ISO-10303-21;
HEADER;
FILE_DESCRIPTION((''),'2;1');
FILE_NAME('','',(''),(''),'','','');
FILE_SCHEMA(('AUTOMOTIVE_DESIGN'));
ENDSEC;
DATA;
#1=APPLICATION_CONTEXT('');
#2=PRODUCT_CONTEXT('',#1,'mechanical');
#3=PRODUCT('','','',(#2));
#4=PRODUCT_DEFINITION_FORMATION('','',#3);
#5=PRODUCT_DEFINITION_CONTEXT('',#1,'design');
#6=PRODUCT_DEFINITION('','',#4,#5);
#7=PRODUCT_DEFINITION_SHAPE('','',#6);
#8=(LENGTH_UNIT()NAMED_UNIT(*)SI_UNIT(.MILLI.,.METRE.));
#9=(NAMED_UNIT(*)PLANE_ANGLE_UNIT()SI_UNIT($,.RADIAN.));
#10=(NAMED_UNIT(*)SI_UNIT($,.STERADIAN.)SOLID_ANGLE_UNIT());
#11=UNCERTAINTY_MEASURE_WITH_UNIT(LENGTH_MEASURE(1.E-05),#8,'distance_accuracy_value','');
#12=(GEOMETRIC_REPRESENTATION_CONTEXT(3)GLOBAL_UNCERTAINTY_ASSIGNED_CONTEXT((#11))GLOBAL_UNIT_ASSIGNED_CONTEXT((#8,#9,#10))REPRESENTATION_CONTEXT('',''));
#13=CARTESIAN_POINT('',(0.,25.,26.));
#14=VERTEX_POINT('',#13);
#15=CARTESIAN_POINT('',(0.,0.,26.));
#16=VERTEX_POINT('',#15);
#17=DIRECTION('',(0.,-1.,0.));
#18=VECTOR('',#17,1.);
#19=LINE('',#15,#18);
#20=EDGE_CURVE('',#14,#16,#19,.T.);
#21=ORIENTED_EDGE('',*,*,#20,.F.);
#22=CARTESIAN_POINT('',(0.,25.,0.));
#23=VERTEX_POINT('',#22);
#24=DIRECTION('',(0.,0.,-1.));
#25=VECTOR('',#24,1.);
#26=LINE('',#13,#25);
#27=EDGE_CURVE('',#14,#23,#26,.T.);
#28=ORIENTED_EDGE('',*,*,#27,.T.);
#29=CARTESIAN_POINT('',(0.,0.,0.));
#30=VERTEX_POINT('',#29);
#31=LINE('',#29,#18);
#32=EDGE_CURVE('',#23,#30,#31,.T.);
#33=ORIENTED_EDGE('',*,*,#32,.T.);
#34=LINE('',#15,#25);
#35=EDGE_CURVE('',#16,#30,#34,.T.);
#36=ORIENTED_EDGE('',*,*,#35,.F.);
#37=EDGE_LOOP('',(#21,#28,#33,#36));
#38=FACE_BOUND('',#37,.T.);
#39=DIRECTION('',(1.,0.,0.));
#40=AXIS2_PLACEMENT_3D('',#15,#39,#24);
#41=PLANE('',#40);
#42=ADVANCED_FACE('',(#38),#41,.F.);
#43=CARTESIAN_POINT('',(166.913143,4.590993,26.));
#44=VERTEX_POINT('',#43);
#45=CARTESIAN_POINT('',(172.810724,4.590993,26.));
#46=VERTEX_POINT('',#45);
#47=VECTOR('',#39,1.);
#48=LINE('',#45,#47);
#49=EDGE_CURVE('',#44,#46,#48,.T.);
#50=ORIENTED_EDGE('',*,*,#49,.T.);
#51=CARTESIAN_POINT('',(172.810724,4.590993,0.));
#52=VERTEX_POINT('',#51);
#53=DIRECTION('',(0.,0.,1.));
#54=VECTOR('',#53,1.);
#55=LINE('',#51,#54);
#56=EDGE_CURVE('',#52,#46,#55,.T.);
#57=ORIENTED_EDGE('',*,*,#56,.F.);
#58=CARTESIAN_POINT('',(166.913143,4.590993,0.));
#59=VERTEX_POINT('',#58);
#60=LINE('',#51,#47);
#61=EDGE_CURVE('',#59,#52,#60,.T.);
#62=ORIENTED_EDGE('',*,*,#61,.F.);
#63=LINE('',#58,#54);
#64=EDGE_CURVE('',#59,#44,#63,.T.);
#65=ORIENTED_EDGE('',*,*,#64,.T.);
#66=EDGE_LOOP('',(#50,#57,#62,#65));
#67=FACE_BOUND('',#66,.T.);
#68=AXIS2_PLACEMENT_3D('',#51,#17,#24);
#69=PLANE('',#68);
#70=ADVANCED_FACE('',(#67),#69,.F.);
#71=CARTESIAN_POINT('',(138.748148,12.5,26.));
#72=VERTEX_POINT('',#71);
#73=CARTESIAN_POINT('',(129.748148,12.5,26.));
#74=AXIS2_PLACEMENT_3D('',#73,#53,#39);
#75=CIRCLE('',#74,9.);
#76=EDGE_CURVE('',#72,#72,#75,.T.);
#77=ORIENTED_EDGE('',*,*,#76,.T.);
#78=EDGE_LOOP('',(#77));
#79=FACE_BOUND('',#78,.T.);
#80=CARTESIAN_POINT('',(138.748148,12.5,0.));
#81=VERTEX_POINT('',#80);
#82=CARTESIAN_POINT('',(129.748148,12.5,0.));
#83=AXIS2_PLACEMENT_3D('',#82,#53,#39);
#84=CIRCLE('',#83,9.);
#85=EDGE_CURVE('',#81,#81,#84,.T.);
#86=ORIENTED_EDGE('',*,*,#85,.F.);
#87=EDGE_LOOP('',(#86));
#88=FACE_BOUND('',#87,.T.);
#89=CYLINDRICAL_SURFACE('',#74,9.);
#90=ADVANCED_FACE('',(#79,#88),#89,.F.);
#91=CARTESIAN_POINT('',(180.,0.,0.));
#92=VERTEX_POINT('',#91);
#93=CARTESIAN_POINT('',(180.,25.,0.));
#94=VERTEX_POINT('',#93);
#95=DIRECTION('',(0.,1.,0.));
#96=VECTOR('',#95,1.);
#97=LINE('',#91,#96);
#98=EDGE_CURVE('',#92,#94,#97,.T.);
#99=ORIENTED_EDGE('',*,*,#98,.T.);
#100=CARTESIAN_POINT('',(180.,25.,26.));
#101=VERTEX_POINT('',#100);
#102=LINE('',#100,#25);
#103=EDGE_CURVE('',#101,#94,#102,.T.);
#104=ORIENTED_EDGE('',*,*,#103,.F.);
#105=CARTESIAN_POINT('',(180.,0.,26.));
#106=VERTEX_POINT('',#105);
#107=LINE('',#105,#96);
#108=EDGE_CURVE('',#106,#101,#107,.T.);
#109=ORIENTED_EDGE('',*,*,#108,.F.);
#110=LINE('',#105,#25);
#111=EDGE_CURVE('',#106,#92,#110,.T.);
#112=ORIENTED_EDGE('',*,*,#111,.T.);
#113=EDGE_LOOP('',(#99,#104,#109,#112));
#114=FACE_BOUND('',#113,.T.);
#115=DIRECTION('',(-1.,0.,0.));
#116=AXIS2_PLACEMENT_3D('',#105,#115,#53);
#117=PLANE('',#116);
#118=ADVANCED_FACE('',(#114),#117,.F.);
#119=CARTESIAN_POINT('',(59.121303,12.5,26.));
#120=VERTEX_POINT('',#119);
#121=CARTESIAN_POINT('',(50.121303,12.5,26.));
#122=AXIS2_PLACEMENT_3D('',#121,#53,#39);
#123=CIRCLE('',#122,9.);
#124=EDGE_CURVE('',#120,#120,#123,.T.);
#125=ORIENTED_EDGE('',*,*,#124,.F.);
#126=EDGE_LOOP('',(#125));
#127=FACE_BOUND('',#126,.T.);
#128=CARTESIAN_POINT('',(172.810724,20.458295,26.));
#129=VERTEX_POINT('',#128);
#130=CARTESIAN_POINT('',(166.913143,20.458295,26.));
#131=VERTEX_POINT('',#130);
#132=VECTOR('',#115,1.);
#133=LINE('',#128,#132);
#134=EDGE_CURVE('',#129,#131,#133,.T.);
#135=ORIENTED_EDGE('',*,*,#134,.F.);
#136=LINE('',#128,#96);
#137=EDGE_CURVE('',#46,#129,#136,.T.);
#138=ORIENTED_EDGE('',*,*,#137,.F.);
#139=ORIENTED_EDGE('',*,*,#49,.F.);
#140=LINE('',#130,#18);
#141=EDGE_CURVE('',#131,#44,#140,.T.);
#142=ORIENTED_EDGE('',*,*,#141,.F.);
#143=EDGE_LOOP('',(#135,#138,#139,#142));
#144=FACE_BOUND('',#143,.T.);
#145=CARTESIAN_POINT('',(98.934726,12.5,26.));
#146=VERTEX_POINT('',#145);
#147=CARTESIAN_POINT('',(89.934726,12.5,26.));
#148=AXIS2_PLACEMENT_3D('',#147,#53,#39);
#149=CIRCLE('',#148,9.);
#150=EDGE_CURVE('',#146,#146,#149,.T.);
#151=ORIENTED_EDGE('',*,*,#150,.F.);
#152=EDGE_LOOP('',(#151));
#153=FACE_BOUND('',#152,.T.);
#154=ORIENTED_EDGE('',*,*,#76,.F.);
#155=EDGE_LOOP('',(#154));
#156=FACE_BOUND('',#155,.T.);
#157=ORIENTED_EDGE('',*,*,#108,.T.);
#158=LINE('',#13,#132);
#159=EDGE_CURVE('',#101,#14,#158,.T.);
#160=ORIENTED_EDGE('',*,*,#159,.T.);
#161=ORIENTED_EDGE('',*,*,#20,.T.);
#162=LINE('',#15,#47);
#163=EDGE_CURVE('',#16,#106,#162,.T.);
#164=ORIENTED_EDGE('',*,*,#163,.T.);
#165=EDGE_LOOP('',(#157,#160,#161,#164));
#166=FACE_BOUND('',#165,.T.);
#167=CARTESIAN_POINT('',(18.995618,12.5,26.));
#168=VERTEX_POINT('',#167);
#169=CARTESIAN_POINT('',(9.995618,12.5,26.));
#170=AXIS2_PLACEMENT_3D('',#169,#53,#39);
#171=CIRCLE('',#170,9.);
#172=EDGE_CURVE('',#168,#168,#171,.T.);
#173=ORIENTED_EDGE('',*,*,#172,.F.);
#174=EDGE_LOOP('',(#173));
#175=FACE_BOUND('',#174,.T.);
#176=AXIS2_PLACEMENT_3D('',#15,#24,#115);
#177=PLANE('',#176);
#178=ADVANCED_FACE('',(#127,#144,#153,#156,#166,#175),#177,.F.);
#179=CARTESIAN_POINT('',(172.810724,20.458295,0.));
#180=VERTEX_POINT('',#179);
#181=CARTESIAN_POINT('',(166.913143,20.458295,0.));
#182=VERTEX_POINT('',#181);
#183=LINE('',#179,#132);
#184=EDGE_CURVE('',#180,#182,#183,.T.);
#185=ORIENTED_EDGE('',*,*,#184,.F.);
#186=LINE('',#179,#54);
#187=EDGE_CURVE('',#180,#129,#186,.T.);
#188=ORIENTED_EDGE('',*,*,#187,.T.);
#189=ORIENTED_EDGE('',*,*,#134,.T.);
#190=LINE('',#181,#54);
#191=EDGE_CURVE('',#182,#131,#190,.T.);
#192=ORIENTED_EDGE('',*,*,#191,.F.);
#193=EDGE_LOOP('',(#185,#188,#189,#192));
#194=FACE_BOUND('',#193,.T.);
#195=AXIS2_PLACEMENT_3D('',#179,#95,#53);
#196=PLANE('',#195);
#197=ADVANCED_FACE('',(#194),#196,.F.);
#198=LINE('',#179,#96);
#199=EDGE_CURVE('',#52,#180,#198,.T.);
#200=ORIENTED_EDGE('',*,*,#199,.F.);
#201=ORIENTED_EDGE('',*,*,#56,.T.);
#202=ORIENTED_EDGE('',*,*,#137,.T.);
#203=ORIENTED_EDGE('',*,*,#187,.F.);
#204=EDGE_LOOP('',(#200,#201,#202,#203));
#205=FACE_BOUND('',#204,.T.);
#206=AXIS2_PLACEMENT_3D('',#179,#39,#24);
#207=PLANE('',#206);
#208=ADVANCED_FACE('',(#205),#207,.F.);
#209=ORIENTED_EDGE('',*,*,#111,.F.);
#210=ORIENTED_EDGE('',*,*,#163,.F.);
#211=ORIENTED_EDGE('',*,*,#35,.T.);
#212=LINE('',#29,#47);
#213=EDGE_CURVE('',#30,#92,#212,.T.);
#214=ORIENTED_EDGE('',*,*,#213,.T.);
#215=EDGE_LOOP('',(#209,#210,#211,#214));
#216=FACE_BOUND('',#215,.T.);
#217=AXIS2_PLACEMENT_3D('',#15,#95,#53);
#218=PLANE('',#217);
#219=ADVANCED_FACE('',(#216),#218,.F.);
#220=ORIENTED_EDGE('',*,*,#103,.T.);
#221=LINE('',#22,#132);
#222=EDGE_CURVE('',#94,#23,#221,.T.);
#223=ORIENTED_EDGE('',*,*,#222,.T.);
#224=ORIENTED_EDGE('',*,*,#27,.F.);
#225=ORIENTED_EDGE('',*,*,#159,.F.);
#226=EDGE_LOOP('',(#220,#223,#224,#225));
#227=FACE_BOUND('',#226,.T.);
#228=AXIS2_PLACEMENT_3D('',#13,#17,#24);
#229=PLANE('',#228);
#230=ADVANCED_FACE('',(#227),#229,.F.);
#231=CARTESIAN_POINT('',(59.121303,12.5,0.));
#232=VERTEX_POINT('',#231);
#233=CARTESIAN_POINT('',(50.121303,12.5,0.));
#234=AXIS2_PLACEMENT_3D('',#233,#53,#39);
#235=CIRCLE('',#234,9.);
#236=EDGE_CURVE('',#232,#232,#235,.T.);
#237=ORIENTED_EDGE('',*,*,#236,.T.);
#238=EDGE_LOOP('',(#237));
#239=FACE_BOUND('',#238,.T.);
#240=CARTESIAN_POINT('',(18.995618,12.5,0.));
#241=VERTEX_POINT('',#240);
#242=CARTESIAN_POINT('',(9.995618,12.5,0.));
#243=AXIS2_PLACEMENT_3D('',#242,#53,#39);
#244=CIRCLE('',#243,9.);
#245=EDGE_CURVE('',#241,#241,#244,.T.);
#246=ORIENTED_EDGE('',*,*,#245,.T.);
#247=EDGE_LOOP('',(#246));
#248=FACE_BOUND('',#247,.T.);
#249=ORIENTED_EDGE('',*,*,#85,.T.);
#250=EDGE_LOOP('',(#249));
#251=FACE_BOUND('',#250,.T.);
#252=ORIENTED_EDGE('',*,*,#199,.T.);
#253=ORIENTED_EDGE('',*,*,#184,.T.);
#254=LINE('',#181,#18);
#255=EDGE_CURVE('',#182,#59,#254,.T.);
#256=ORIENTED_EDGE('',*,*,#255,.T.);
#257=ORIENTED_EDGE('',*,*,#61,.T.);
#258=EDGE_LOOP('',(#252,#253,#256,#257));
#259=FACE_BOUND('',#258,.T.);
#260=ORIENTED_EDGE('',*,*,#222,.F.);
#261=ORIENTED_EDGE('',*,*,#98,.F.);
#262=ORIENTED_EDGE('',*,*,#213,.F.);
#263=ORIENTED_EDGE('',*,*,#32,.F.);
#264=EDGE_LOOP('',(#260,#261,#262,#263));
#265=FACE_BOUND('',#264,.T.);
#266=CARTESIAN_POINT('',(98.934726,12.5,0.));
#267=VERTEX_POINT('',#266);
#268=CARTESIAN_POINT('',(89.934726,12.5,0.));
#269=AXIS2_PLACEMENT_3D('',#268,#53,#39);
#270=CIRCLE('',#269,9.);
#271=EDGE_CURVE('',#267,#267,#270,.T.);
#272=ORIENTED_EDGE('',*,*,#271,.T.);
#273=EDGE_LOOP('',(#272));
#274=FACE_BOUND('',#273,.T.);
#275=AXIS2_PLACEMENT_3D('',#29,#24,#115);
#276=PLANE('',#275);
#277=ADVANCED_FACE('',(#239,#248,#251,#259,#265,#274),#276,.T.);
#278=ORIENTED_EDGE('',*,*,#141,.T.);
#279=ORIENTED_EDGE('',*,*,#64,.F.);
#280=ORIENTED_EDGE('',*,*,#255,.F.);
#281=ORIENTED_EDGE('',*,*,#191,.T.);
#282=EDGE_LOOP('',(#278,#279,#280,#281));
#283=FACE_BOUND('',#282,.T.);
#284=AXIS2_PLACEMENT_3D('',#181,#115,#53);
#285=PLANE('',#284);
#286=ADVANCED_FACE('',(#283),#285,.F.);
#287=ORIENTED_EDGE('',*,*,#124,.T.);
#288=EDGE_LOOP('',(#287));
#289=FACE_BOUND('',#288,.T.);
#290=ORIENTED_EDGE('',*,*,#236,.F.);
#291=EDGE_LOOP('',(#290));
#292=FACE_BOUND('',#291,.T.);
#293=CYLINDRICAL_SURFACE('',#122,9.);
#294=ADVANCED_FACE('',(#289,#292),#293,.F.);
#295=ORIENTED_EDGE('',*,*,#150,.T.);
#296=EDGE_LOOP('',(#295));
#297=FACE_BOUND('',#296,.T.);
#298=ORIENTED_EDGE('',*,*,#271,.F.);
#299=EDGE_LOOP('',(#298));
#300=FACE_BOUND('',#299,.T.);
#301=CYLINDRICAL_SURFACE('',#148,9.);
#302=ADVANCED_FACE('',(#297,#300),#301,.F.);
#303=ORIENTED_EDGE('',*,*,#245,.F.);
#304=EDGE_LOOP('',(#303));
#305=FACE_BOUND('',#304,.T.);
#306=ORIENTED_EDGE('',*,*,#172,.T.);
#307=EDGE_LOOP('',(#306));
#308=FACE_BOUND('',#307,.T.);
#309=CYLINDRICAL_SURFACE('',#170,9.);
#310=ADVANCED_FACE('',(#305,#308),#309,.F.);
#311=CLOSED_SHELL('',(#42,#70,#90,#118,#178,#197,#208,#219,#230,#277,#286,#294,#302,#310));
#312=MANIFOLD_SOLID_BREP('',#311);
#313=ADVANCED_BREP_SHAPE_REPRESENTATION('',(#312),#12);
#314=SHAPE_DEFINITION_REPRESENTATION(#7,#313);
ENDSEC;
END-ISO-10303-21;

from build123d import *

# Parameters (mm, degrees)
SKIZZE1_W                        = 180
SKIZZE1_H                        = 25
AUFSATZ_LINEAR_AUSTRAGEN1_DEPTH  = 26
F_18_0_18_DURCHMESSER_BOHRUNG2_D = 18
SKIZZE9_W                        = 5.897581214
SKIZZE9_H                        = 15.867301838
SCHNITT_LINEAR_AUSTRAGEN1_DEPTH  = 27


with BuildPart() as part:
    # Skizze1 → Aufsatz-Linear austragen1 (new body)
    with BuildSketch(Plane.XY):
        with Locations((90, 12.5)):
            Rectangle(SKIZZE1_W, SKIZZE1_H)
    extrude(amount=AUFSATZ_LINEAR_AUSTRAGEN1_DEPTH)

    # Ø18.0 (18) Durchmesser Bohrung2 (through all)
    with Locations(Plane.XY.offset(26)):
        with Locations((9.995618269, 12.5), (50.121303026, 12.5), (89.934725645, 12.5), (129.748148264, 12.5)):
            Hole(F_18_0_18_DURCHMESSER_BOHRUNG2_D / 2)

    # Skizze9 → Schnitt-Linear austragen1 (cut, through all)
    with BuildSketch(Plane.XY.offset(26)):
        with Locations((169.861933283, 12.524643843)):
            Rectangle(SKIZZE9_W, SKIZZE9_H)
    extrude(amount=-SCHNITT_LINEAR_AUSTRAGEN1_DEPTH, mode=Mode.SUBTRACT)


solid = part.part
